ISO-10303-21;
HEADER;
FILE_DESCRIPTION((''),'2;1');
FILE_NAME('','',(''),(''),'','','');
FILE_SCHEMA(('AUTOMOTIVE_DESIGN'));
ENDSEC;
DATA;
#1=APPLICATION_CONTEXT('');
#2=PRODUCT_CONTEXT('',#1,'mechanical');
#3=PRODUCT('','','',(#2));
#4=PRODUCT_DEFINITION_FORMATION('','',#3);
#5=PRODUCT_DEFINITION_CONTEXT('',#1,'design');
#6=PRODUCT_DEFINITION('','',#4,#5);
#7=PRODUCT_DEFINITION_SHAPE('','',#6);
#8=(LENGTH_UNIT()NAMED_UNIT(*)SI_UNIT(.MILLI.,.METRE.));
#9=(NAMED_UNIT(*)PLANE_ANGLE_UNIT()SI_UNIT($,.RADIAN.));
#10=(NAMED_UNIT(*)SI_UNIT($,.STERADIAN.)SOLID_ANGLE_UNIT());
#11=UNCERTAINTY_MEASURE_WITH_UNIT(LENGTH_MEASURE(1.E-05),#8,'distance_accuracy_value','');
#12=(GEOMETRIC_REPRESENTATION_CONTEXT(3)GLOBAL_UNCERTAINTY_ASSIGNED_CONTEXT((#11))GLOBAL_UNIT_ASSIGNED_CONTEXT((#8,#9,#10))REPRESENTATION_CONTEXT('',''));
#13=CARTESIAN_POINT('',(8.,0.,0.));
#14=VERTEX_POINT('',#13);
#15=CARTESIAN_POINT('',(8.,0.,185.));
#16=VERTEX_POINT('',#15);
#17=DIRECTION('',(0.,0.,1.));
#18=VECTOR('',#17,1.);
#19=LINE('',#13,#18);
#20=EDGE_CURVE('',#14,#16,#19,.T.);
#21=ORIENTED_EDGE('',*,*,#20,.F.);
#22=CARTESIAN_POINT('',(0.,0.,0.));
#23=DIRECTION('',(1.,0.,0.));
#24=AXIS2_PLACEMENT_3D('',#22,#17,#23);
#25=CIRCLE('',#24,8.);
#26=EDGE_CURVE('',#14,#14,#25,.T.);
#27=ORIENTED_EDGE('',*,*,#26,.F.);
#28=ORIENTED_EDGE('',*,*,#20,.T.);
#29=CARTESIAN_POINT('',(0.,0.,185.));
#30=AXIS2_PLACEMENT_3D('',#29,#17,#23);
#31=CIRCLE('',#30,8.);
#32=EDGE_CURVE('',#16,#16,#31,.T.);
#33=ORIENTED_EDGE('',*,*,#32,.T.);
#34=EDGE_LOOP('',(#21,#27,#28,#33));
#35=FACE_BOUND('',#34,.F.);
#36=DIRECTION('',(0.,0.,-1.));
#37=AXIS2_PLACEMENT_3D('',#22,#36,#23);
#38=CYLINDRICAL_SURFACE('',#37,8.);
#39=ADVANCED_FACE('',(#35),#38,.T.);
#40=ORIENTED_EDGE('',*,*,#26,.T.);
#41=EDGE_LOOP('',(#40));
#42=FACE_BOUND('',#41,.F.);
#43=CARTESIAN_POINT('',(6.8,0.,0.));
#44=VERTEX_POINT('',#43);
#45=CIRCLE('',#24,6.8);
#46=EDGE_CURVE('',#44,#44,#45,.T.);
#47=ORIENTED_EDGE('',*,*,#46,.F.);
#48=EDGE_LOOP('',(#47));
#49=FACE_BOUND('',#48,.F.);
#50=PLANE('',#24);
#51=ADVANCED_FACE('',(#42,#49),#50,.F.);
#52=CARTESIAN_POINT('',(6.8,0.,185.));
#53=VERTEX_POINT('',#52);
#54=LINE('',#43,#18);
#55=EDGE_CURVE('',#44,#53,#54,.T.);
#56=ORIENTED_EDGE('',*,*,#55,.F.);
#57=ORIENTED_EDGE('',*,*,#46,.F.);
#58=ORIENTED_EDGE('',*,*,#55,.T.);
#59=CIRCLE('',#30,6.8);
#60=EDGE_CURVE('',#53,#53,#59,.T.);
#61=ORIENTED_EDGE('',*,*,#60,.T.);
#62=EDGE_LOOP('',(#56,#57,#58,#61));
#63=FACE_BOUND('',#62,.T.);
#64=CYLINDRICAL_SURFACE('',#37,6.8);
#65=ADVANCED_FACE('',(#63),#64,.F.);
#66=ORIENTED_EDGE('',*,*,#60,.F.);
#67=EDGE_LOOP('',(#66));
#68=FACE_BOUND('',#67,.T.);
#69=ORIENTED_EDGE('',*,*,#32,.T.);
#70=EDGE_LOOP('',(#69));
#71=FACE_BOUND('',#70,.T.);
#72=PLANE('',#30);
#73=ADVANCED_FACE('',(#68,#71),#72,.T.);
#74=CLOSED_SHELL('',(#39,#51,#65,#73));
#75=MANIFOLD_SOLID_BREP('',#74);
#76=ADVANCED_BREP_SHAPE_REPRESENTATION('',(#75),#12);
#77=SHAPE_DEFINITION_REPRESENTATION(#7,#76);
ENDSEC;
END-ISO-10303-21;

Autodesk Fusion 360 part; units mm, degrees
sketch "Sketch1" plane through (0, 0, 0) normal (0, 0, 1) x (1, 0, 0)
  circle A0 centre (0, 0) radius 6.8
  circle A1 centre (0, 0) radius 8
  dimension "d1" = 13.6
  dimension "d2" = 16
extrude "Extrude1" add sketch "Sketch1" along normal blind 185
